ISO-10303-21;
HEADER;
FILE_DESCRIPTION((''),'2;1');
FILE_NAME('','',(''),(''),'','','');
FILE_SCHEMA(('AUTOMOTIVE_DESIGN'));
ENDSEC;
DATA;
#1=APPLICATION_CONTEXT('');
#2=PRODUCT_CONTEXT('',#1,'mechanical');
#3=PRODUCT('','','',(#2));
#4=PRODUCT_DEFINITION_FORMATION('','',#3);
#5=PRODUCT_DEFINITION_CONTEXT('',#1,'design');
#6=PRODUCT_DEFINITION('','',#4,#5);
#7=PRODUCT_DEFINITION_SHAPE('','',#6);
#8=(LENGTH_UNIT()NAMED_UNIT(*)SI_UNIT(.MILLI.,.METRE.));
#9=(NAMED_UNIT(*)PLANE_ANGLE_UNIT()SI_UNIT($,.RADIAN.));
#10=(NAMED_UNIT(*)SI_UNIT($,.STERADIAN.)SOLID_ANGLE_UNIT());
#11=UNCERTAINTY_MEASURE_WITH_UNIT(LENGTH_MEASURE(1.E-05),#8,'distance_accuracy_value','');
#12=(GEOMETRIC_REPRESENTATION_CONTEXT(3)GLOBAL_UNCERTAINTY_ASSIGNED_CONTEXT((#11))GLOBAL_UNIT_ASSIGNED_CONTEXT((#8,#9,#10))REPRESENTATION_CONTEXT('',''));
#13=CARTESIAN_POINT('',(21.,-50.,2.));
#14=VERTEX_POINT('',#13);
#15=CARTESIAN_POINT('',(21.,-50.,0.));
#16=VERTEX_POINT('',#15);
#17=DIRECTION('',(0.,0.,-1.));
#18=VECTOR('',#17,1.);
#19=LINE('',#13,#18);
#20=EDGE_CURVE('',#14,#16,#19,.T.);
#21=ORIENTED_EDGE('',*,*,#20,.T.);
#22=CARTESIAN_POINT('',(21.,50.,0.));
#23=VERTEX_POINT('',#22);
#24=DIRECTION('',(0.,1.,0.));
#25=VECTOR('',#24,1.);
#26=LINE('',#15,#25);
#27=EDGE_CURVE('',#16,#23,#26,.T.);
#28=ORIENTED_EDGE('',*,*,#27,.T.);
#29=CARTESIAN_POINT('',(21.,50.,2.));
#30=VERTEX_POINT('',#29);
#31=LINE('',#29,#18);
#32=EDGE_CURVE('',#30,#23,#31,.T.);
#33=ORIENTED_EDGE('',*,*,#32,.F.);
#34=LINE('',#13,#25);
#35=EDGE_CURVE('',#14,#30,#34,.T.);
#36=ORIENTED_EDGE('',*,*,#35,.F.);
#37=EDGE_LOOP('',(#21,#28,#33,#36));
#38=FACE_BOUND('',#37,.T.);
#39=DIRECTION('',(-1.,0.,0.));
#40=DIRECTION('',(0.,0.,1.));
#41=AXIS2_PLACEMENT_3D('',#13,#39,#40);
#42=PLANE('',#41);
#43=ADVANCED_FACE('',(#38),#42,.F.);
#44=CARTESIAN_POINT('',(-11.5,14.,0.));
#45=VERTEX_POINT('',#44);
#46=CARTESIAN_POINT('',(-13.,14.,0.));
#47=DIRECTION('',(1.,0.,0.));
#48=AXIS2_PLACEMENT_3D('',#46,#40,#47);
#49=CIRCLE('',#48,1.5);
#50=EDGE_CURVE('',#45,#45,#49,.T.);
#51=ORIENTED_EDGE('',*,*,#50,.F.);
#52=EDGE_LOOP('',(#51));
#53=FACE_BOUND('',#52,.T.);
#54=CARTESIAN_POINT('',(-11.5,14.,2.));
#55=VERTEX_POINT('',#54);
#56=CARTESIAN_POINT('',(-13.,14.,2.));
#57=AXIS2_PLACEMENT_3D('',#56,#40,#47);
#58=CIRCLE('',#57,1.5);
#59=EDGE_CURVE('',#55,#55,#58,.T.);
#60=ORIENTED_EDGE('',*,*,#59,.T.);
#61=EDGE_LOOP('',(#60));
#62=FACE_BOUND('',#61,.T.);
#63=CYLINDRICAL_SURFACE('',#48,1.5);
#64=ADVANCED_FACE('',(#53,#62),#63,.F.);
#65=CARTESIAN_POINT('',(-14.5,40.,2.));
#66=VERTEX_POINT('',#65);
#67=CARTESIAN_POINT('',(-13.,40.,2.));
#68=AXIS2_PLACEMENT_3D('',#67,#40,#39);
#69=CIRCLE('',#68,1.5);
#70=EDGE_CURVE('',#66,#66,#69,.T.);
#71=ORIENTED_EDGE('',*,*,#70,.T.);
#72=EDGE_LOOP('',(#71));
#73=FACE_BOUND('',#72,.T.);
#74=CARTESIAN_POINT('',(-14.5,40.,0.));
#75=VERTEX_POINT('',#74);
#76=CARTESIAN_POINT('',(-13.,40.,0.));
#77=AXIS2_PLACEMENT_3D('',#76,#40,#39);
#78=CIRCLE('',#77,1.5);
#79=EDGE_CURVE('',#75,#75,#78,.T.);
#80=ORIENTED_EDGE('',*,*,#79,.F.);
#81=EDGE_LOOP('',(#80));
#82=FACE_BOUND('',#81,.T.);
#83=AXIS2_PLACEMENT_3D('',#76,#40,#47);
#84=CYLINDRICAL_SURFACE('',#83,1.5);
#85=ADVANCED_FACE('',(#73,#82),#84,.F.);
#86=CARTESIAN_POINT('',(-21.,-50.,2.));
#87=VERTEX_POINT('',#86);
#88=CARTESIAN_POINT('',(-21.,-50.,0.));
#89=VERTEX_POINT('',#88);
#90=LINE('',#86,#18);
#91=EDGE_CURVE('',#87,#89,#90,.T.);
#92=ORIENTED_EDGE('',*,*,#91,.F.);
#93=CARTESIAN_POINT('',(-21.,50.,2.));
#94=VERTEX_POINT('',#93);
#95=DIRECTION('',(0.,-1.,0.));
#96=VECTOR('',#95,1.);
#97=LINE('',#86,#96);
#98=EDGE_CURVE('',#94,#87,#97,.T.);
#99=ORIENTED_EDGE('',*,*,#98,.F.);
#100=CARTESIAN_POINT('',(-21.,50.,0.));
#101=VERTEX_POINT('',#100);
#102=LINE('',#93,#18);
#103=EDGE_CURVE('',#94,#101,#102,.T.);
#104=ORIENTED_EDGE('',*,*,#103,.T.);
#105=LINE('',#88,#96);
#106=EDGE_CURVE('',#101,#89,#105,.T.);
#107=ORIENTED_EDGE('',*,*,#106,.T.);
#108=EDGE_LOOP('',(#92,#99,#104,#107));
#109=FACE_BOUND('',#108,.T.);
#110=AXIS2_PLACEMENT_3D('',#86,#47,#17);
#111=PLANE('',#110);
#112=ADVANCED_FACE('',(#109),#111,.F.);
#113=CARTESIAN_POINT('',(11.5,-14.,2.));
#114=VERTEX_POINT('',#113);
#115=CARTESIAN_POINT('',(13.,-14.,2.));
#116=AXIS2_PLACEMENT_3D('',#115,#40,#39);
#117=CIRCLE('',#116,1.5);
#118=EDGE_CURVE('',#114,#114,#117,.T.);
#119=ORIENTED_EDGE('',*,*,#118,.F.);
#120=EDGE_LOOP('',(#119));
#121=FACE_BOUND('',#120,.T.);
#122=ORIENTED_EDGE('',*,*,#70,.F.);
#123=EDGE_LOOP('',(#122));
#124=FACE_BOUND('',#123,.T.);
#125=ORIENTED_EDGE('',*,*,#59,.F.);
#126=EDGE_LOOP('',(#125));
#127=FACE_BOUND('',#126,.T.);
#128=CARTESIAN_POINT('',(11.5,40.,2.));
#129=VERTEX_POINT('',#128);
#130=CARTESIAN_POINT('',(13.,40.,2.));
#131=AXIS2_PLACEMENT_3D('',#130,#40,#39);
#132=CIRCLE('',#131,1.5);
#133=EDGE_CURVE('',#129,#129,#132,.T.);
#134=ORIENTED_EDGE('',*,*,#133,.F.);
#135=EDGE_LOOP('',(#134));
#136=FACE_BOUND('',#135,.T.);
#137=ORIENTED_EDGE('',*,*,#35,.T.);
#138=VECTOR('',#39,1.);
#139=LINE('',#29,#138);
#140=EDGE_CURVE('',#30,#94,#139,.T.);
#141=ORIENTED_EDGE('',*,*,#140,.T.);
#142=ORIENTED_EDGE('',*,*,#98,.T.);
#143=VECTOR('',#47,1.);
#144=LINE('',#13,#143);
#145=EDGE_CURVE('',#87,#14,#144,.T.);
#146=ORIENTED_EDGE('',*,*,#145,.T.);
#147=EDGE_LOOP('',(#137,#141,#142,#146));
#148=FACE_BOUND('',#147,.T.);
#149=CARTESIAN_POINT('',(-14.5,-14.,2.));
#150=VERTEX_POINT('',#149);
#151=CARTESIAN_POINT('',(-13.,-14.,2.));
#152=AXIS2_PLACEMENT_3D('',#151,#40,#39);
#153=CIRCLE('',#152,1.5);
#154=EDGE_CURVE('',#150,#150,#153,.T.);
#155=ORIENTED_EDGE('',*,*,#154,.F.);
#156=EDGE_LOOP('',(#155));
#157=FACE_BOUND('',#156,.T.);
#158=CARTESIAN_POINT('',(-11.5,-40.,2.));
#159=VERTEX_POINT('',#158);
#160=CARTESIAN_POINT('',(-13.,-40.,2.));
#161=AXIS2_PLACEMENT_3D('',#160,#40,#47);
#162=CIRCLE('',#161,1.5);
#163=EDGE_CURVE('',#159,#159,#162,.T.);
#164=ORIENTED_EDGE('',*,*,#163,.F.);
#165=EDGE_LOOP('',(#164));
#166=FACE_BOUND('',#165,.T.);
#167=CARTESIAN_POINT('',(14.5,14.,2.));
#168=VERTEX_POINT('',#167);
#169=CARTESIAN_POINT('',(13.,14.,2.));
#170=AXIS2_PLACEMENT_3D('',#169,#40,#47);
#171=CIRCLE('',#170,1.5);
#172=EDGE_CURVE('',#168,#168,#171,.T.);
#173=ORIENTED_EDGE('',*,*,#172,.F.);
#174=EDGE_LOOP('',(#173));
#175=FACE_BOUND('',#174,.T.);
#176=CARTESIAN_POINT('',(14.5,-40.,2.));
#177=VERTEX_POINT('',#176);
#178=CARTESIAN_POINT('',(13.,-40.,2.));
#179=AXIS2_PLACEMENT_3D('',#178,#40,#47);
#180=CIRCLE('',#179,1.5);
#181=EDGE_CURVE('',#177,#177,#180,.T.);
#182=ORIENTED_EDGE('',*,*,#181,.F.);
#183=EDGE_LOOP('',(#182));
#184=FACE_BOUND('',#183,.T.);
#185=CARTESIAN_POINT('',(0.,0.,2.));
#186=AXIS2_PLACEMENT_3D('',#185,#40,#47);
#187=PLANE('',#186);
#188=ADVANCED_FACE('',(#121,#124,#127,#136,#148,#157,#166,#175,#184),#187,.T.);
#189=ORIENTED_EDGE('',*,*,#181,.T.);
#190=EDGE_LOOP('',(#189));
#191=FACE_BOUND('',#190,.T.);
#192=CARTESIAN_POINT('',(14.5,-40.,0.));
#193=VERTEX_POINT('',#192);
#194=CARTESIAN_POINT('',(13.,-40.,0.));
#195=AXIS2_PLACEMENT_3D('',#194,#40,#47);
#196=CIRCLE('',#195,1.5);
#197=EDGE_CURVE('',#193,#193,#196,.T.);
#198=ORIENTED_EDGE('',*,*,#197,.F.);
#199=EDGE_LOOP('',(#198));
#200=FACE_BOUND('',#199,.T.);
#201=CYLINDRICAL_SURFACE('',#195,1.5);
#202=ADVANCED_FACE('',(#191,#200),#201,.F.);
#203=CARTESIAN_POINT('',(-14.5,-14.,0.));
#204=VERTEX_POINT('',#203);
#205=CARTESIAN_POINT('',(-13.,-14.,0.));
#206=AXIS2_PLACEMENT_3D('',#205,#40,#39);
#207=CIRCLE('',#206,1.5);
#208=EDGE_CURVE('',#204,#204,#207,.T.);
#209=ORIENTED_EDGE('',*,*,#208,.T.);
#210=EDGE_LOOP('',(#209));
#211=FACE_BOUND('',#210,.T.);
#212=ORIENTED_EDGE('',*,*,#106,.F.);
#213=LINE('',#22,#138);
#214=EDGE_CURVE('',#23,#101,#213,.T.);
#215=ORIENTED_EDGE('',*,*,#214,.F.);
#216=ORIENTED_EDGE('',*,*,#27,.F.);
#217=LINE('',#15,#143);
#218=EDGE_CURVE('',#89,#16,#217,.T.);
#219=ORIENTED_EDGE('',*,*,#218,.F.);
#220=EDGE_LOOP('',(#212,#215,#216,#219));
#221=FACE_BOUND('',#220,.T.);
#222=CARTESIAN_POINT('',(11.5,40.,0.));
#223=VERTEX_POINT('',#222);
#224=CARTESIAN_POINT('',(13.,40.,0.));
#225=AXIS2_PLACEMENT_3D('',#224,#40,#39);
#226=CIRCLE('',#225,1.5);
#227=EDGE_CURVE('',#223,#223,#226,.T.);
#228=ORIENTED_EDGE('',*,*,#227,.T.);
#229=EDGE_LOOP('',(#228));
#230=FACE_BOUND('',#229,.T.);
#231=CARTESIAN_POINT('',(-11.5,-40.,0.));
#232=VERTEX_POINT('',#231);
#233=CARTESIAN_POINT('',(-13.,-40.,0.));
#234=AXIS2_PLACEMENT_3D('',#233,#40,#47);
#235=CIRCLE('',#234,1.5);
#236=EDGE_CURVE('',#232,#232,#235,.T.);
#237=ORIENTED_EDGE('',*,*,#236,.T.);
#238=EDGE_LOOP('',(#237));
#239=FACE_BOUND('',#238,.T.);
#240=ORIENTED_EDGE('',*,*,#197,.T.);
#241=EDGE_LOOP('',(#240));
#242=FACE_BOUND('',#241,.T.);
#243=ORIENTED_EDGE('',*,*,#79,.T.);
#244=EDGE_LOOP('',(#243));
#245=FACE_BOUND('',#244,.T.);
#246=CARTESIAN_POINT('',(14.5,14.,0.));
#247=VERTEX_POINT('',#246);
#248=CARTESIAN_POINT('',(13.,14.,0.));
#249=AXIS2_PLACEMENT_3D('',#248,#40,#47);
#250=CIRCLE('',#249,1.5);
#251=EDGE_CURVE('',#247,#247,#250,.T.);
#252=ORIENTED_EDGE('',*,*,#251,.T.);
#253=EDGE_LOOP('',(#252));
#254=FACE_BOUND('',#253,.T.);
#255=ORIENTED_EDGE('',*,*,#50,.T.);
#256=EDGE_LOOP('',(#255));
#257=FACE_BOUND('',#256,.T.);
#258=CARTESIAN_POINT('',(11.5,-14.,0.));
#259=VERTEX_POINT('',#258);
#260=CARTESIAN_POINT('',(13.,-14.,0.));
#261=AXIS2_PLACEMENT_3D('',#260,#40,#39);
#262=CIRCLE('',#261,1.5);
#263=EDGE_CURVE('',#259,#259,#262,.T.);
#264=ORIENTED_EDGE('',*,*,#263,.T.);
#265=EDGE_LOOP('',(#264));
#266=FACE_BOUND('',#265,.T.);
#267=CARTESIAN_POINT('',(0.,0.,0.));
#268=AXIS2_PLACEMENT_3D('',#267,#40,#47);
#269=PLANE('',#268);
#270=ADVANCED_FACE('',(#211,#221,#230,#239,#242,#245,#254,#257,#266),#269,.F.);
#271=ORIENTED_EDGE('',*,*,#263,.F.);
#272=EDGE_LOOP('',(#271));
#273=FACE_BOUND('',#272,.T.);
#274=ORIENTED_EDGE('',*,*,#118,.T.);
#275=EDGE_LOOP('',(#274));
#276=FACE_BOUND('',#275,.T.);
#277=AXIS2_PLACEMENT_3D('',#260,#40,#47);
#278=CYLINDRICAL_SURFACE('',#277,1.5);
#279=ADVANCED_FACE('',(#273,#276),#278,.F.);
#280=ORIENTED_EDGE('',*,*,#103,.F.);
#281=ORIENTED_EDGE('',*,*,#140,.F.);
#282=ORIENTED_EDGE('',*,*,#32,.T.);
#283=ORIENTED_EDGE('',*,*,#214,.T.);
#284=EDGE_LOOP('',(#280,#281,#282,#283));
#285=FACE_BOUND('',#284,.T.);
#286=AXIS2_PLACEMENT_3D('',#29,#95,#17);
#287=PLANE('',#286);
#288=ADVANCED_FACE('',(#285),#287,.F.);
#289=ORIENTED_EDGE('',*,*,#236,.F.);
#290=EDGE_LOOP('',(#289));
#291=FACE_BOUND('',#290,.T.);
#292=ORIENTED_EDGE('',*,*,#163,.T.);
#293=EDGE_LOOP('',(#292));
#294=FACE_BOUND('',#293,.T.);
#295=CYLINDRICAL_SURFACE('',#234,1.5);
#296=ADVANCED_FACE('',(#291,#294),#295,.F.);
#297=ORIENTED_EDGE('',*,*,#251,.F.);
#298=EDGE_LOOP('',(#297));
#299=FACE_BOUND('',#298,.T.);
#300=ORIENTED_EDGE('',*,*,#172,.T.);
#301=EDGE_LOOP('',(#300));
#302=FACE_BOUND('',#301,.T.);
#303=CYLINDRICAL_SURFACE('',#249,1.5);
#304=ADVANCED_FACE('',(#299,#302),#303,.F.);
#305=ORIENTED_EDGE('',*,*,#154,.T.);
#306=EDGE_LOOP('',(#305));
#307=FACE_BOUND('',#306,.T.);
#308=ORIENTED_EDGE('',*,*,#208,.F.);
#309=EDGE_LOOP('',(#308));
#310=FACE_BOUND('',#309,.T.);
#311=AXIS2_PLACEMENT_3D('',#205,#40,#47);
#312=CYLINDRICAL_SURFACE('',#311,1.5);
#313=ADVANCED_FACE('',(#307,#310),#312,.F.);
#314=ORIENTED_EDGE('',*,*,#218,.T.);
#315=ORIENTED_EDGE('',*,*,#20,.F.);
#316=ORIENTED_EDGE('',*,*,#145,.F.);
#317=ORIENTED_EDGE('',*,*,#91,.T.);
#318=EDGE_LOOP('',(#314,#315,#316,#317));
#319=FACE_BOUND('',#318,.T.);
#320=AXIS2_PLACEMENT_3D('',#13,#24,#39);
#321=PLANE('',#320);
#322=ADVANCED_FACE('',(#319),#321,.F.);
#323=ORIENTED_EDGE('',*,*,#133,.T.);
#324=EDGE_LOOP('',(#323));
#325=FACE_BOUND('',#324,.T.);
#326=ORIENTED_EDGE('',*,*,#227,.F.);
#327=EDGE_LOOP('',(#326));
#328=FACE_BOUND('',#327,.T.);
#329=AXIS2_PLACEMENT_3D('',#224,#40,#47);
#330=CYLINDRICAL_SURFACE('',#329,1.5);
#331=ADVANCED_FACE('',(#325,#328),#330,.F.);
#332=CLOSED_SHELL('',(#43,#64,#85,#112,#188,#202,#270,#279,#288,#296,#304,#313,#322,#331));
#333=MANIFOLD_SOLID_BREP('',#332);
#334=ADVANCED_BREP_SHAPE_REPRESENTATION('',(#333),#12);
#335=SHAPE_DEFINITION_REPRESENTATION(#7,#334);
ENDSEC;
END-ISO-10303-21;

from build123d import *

# Parameters (mm, degrees)
SKETCH1_W           = 42
SKETCH1_H           = 100
BOSS_EXTRUDE1_DEPTH = 2
SKETCH2_R           = 1.5
CUT_EXTRUDE1_DEPTH  = 2


with BuildPart() as part:
    # Sketch1 → Boss-Extrude1 (new body)
    with BuildSketch(Plane.XY):
        Rectangle(SKETCH1_W, SKETCH1_H)
    extrude(amount=BOSS_EXTRUDE1_DEPTH)

    # Sketch2 → Cut-Extrude1 (cut)
    with BuildSketch(Plane.XY.offset(2)):
        with Locations((-13, -40)):
            Circle(SKETCH2_R)
        with Locations((13, -40)):
            Circle(SKETCH2_R)
        with Locations(Location((13, -14, 0), (0, 0, 180))):
            Circle(SKETCH2_R)
        with Locations(Location((-13, -14, 0), (0, 0, 180))):
            Circle(SKETCH2_R)
        with Locations(Location((13, 40, 0), (0, 0, 180))):
            Circle(SKETCH2_R)
        with Locations(Location((-13, 40, 0), (0, 0, 180))):
            Circle(SKETCH2_R)
        with Locations((13, 14)):
            Circle(SKETCH2_R)
        with Locations((-13, 14)):
            Circle(SKETCH2_R)
    extrude(amount=-CUT_EXTRUDE1_DEPTH, mode=Mode.SUBTRACT)


solid = part.part
